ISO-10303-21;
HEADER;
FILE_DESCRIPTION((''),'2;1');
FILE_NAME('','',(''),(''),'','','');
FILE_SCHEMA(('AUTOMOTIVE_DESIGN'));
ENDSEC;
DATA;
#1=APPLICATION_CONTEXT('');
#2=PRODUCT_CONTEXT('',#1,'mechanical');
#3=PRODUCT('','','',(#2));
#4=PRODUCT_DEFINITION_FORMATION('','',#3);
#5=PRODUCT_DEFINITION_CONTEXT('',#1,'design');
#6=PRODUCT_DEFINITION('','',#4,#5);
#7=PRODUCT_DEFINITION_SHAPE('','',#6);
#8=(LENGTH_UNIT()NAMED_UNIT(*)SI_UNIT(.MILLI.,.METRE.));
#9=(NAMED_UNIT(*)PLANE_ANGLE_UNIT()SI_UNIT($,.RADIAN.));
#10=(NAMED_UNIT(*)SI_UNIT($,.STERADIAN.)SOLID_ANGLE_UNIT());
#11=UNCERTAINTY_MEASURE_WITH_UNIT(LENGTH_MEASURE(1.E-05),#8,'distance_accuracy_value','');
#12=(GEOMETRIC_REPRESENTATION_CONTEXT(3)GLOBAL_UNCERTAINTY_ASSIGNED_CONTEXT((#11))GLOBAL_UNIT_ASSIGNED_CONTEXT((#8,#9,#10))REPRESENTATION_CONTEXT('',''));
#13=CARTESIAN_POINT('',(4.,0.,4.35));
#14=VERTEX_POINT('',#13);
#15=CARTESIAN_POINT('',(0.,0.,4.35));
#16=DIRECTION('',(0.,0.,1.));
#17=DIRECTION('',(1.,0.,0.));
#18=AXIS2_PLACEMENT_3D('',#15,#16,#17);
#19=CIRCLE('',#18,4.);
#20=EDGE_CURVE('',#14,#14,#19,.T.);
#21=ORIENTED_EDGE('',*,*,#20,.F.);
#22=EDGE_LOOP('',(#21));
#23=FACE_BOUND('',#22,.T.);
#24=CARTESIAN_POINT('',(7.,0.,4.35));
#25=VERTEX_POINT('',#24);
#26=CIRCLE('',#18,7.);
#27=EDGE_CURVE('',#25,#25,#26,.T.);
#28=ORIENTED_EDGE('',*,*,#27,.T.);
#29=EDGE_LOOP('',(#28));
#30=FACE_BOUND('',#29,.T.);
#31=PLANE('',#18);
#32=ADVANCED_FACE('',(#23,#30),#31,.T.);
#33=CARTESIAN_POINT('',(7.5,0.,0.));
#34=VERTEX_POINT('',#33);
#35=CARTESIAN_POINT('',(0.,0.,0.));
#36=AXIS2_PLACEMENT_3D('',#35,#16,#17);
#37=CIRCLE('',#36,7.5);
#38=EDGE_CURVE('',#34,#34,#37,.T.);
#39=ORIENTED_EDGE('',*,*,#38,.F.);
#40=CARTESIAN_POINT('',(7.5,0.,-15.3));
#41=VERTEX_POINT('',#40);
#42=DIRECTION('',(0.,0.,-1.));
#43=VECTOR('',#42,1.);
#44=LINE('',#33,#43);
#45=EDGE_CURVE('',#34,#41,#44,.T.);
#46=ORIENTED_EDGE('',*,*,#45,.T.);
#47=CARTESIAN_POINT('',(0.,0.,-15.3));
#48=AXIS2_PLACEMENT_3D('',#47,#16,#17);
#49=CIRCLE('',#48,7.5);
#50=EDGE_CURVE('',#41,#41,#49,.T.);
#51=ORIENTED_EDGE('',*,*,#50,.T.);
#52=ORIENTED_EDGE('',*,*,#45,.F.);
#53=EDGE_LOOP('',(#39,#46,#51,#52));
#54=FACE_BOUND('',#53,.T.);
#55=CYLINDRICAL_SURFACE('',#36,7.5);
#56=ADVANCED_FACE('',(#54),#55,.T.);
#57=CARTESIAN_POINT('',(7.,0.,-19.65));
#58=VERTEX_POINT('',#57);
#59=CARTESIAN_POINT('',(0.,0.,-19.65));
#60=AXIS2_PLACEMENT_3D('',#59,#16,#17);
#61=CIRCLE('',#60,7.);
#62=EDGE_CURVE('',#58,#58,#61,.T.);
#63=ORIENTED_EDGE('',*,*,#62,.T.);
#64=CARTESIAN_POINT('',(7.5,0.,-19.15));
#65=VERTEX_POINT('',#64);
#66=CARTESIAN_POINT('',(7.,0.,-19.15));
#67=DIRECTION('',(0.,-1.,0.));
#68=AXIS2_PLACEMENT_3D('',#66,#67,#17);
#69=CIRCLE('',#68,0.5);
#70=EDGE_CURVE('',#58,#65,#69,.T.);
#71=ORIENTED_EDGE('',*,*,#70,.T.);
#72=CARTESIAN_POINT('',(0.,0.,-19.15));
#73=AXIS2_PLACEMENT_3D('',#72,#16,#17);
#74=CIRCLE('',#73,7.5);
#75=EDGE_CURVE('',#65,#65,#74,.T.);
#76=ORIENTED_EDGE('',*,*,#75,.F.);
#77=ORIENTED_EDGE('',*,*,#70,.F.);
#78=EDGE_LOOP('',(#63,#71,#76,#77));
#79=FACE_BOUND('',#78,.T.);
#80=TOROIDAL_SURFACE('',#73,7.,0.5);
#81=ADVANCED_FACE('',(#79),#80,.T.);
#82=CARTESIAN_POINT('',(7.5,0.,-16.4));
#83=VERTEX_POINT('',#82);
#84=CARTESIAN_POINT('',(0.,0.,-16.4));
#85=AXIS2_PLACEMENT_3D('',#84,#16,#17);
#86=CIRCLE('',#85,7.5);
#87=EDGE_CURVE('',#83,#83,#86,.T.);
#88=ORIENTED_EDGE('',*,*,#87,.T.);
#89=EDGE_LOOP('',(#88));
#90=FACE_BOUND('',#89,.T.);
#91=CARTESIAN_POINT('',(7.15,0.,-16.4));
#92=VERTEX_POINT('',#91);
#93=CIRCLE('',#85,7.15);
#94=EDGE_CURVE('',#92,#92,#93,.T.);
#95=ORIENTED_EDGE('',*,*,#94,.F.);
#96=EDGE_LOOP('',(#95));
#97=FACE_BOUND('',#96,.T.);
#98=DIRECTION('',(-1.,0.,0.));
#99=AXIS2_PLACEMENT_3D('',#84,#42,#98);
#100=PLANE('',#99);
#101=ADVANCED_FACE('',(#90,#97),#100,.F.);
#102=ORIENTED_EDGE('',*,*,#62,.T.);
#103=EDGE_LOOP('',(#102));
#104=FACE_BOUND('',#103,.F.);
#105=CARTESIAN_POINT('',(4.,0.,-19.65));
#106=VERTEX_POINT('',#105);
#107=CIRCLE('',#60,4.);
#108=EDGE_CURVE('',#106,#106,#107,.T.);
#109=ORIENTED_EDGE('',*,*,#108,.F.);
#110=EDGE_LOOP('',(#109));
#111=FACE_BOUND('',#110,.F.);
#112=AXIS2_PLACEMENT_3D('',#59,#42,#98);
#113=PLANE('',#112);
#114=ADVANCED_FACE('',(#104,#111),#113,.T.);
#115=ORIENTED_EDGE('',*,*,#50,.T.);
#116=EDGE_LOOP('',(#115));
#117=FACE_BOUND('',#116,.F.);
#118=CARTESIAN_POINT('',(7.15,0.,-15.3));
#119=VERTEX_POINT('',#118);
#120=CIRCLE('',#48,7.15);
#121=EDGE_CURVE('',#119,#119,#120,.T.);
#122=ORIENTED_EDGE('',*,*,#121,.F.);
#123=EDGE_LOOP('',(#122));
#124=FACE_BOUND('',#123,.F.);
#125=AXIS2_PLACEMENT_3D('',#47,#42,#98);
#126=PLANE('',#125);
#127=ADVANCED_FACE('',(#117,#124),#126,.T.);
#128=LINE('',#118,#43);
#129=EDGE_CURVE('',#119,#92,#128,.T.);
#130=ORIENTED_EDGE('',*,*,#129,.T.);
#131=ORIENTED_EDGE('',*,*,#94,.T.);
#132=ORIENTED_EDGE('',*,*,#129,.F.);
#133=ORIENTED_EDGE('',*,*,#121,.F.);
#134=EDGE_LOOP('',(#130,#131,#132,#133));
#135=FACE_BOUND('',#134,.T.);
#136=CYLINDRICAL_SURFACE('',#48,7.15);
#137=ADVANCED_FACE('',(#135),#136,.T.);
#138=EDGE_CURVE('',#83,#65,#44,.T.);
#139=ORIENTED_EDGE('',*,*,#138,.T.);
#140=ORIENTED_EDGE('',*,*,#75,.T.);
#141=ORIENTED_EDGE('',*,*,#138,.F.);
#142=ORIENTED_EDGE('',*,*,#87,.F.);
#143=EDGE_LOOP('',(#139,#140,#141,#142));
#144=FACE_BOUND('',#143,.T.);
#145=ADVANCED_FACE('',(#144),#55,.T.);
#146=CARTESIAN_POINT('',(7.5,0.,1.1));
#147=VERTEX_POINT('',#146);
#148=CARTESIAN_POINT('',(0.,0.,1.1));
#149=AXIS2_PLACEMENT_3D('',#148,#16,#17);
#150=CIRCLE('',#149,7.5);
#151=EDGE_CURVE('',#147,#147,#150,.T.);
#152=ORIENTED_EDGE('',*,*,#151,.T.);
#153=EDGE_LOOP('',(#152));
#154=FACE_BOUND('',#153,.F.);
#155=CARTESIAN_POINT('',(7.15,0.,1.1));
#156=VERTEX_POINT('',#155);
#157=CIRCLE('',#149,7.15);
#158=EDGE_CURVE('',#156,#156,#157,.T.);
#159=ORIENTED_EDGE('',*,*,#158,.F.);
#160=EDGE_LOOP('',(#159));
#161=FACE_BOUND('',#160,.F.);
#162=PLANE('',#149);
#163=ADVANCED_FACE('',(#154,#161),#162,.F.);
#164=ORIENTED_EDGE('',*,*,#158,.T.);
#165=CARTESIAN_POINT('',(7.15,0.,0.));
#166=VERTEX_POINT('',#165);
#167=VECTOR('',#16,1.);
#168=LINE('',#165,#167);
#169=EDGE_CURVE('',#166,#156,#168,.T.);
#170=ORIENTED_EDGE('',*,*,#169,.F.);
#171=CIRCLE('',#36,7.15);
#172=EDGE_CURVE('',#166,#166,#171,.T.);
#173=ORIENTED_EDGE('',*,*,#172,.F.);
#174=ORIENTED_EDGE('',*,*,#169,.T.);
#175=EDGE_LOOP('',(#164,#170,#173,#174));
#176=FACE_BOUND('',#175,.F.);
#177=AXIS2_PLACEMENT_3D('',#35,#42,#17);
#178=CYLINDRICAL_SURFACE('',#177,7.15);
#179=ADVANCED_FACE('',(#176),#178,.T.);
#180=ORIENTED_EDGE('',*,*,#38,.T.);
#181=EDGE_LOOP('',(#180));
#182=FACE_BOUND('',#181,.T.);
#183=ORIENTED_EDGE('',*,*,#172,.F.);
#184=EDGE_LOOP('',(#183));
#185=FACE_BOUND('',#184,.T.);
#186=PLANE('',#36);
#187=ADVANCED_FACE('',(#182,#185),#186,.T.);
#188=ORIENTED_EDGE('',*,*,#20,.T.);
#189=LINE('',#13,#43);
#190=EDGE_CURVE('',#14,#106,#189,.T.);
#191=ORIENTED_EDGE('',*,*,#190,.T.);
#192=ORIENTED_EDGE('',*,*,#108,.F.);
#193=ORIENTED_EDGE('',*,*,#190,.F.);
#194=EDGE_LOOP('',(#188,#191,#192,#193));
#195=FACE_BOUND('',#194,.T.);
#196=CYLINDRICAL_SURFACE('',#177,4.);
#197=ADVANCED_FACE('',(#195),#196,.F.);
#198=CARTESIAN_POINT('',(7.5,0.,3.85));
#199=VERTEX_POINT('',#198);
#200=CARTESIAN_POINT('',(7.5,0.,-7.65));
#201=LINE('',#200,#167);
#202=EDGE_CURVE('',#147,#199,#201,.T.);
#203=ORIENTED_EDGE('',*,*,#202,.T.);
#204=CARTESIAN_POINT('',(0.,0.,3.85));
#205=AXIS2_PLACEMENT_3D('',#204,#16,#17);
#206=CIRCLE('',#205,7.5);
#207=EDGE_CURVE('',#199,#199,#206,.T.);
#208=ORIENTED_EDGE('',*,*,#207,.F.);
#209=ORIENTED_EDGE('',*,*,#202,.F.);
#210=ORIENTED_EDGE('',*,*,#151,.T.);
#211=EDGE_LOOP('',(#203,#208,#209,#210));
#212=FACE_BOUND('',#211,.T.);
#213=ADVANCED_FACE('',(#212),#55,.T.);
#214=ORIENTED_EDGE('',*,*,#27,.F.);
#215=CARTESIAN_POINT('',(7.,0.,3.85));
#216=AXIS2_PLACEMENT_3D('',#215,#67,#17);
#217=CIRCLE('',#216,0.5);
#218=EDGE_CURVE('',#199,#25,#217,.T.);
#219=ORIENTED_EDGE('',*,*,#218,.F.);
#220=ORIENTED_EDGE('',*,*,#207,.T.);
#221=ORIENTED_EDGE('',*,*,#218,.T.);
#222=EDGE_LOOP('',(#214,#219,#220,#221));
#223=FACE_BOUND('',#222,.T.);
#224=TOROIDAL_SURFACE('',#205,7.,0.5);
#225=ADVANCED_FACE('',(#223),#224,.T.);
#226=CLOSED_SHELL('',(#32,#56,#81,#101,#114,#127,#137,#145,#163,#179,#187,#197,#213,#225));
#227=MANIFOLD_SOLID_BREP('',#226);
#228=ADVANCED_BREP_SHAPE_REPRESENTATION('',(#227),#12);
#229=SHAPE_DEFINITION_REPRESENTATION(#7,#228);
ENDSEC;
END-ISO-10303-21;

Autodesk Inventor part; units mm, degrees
ref_plane "YZ Plane" through (0, 0, 0) normal (1, 0, 0) x (0, 1, 0)
ref_plane "XZ Plane" through (0, 0, 0) normal (0, 1, 0) x (-1, 0, 0)
ref_plane "XY Plane" through (0, 0, 0) normal (0, 0, 1) x (1, 0, 0)
sketch "Sketch1" plane through (0, 0, 0) normal (0, 0, 1) x (1, 0, 0)
  circle A0 centre (0, 0) radius 4
  circle A1 centre (0, 0) radius 7.5
  circle A2 centre (0, 0) radius 7.15
  dimension "d0" = 8
  dimension "d1" = 15
  dimension "d2" = 14.3
extrude "Extrusion1" add sketch "Sketch1" along normal blind 4.35 and the other way blind 7.65 contours A1 | A2
extrude "Extrusion2" cut sketch "Sketch1" along normal blind 1.1 contours A1
fillet "Fillet1" radius 0.5 1 edges at (-7.5, 0, 4.35)
mirror "Mirror1" about plane through (0, 0, -7.65) normal (0, 0, -1) of "Extrusion1", "Extrusion2", "Fillet1"
properties part number "LM08UU"
